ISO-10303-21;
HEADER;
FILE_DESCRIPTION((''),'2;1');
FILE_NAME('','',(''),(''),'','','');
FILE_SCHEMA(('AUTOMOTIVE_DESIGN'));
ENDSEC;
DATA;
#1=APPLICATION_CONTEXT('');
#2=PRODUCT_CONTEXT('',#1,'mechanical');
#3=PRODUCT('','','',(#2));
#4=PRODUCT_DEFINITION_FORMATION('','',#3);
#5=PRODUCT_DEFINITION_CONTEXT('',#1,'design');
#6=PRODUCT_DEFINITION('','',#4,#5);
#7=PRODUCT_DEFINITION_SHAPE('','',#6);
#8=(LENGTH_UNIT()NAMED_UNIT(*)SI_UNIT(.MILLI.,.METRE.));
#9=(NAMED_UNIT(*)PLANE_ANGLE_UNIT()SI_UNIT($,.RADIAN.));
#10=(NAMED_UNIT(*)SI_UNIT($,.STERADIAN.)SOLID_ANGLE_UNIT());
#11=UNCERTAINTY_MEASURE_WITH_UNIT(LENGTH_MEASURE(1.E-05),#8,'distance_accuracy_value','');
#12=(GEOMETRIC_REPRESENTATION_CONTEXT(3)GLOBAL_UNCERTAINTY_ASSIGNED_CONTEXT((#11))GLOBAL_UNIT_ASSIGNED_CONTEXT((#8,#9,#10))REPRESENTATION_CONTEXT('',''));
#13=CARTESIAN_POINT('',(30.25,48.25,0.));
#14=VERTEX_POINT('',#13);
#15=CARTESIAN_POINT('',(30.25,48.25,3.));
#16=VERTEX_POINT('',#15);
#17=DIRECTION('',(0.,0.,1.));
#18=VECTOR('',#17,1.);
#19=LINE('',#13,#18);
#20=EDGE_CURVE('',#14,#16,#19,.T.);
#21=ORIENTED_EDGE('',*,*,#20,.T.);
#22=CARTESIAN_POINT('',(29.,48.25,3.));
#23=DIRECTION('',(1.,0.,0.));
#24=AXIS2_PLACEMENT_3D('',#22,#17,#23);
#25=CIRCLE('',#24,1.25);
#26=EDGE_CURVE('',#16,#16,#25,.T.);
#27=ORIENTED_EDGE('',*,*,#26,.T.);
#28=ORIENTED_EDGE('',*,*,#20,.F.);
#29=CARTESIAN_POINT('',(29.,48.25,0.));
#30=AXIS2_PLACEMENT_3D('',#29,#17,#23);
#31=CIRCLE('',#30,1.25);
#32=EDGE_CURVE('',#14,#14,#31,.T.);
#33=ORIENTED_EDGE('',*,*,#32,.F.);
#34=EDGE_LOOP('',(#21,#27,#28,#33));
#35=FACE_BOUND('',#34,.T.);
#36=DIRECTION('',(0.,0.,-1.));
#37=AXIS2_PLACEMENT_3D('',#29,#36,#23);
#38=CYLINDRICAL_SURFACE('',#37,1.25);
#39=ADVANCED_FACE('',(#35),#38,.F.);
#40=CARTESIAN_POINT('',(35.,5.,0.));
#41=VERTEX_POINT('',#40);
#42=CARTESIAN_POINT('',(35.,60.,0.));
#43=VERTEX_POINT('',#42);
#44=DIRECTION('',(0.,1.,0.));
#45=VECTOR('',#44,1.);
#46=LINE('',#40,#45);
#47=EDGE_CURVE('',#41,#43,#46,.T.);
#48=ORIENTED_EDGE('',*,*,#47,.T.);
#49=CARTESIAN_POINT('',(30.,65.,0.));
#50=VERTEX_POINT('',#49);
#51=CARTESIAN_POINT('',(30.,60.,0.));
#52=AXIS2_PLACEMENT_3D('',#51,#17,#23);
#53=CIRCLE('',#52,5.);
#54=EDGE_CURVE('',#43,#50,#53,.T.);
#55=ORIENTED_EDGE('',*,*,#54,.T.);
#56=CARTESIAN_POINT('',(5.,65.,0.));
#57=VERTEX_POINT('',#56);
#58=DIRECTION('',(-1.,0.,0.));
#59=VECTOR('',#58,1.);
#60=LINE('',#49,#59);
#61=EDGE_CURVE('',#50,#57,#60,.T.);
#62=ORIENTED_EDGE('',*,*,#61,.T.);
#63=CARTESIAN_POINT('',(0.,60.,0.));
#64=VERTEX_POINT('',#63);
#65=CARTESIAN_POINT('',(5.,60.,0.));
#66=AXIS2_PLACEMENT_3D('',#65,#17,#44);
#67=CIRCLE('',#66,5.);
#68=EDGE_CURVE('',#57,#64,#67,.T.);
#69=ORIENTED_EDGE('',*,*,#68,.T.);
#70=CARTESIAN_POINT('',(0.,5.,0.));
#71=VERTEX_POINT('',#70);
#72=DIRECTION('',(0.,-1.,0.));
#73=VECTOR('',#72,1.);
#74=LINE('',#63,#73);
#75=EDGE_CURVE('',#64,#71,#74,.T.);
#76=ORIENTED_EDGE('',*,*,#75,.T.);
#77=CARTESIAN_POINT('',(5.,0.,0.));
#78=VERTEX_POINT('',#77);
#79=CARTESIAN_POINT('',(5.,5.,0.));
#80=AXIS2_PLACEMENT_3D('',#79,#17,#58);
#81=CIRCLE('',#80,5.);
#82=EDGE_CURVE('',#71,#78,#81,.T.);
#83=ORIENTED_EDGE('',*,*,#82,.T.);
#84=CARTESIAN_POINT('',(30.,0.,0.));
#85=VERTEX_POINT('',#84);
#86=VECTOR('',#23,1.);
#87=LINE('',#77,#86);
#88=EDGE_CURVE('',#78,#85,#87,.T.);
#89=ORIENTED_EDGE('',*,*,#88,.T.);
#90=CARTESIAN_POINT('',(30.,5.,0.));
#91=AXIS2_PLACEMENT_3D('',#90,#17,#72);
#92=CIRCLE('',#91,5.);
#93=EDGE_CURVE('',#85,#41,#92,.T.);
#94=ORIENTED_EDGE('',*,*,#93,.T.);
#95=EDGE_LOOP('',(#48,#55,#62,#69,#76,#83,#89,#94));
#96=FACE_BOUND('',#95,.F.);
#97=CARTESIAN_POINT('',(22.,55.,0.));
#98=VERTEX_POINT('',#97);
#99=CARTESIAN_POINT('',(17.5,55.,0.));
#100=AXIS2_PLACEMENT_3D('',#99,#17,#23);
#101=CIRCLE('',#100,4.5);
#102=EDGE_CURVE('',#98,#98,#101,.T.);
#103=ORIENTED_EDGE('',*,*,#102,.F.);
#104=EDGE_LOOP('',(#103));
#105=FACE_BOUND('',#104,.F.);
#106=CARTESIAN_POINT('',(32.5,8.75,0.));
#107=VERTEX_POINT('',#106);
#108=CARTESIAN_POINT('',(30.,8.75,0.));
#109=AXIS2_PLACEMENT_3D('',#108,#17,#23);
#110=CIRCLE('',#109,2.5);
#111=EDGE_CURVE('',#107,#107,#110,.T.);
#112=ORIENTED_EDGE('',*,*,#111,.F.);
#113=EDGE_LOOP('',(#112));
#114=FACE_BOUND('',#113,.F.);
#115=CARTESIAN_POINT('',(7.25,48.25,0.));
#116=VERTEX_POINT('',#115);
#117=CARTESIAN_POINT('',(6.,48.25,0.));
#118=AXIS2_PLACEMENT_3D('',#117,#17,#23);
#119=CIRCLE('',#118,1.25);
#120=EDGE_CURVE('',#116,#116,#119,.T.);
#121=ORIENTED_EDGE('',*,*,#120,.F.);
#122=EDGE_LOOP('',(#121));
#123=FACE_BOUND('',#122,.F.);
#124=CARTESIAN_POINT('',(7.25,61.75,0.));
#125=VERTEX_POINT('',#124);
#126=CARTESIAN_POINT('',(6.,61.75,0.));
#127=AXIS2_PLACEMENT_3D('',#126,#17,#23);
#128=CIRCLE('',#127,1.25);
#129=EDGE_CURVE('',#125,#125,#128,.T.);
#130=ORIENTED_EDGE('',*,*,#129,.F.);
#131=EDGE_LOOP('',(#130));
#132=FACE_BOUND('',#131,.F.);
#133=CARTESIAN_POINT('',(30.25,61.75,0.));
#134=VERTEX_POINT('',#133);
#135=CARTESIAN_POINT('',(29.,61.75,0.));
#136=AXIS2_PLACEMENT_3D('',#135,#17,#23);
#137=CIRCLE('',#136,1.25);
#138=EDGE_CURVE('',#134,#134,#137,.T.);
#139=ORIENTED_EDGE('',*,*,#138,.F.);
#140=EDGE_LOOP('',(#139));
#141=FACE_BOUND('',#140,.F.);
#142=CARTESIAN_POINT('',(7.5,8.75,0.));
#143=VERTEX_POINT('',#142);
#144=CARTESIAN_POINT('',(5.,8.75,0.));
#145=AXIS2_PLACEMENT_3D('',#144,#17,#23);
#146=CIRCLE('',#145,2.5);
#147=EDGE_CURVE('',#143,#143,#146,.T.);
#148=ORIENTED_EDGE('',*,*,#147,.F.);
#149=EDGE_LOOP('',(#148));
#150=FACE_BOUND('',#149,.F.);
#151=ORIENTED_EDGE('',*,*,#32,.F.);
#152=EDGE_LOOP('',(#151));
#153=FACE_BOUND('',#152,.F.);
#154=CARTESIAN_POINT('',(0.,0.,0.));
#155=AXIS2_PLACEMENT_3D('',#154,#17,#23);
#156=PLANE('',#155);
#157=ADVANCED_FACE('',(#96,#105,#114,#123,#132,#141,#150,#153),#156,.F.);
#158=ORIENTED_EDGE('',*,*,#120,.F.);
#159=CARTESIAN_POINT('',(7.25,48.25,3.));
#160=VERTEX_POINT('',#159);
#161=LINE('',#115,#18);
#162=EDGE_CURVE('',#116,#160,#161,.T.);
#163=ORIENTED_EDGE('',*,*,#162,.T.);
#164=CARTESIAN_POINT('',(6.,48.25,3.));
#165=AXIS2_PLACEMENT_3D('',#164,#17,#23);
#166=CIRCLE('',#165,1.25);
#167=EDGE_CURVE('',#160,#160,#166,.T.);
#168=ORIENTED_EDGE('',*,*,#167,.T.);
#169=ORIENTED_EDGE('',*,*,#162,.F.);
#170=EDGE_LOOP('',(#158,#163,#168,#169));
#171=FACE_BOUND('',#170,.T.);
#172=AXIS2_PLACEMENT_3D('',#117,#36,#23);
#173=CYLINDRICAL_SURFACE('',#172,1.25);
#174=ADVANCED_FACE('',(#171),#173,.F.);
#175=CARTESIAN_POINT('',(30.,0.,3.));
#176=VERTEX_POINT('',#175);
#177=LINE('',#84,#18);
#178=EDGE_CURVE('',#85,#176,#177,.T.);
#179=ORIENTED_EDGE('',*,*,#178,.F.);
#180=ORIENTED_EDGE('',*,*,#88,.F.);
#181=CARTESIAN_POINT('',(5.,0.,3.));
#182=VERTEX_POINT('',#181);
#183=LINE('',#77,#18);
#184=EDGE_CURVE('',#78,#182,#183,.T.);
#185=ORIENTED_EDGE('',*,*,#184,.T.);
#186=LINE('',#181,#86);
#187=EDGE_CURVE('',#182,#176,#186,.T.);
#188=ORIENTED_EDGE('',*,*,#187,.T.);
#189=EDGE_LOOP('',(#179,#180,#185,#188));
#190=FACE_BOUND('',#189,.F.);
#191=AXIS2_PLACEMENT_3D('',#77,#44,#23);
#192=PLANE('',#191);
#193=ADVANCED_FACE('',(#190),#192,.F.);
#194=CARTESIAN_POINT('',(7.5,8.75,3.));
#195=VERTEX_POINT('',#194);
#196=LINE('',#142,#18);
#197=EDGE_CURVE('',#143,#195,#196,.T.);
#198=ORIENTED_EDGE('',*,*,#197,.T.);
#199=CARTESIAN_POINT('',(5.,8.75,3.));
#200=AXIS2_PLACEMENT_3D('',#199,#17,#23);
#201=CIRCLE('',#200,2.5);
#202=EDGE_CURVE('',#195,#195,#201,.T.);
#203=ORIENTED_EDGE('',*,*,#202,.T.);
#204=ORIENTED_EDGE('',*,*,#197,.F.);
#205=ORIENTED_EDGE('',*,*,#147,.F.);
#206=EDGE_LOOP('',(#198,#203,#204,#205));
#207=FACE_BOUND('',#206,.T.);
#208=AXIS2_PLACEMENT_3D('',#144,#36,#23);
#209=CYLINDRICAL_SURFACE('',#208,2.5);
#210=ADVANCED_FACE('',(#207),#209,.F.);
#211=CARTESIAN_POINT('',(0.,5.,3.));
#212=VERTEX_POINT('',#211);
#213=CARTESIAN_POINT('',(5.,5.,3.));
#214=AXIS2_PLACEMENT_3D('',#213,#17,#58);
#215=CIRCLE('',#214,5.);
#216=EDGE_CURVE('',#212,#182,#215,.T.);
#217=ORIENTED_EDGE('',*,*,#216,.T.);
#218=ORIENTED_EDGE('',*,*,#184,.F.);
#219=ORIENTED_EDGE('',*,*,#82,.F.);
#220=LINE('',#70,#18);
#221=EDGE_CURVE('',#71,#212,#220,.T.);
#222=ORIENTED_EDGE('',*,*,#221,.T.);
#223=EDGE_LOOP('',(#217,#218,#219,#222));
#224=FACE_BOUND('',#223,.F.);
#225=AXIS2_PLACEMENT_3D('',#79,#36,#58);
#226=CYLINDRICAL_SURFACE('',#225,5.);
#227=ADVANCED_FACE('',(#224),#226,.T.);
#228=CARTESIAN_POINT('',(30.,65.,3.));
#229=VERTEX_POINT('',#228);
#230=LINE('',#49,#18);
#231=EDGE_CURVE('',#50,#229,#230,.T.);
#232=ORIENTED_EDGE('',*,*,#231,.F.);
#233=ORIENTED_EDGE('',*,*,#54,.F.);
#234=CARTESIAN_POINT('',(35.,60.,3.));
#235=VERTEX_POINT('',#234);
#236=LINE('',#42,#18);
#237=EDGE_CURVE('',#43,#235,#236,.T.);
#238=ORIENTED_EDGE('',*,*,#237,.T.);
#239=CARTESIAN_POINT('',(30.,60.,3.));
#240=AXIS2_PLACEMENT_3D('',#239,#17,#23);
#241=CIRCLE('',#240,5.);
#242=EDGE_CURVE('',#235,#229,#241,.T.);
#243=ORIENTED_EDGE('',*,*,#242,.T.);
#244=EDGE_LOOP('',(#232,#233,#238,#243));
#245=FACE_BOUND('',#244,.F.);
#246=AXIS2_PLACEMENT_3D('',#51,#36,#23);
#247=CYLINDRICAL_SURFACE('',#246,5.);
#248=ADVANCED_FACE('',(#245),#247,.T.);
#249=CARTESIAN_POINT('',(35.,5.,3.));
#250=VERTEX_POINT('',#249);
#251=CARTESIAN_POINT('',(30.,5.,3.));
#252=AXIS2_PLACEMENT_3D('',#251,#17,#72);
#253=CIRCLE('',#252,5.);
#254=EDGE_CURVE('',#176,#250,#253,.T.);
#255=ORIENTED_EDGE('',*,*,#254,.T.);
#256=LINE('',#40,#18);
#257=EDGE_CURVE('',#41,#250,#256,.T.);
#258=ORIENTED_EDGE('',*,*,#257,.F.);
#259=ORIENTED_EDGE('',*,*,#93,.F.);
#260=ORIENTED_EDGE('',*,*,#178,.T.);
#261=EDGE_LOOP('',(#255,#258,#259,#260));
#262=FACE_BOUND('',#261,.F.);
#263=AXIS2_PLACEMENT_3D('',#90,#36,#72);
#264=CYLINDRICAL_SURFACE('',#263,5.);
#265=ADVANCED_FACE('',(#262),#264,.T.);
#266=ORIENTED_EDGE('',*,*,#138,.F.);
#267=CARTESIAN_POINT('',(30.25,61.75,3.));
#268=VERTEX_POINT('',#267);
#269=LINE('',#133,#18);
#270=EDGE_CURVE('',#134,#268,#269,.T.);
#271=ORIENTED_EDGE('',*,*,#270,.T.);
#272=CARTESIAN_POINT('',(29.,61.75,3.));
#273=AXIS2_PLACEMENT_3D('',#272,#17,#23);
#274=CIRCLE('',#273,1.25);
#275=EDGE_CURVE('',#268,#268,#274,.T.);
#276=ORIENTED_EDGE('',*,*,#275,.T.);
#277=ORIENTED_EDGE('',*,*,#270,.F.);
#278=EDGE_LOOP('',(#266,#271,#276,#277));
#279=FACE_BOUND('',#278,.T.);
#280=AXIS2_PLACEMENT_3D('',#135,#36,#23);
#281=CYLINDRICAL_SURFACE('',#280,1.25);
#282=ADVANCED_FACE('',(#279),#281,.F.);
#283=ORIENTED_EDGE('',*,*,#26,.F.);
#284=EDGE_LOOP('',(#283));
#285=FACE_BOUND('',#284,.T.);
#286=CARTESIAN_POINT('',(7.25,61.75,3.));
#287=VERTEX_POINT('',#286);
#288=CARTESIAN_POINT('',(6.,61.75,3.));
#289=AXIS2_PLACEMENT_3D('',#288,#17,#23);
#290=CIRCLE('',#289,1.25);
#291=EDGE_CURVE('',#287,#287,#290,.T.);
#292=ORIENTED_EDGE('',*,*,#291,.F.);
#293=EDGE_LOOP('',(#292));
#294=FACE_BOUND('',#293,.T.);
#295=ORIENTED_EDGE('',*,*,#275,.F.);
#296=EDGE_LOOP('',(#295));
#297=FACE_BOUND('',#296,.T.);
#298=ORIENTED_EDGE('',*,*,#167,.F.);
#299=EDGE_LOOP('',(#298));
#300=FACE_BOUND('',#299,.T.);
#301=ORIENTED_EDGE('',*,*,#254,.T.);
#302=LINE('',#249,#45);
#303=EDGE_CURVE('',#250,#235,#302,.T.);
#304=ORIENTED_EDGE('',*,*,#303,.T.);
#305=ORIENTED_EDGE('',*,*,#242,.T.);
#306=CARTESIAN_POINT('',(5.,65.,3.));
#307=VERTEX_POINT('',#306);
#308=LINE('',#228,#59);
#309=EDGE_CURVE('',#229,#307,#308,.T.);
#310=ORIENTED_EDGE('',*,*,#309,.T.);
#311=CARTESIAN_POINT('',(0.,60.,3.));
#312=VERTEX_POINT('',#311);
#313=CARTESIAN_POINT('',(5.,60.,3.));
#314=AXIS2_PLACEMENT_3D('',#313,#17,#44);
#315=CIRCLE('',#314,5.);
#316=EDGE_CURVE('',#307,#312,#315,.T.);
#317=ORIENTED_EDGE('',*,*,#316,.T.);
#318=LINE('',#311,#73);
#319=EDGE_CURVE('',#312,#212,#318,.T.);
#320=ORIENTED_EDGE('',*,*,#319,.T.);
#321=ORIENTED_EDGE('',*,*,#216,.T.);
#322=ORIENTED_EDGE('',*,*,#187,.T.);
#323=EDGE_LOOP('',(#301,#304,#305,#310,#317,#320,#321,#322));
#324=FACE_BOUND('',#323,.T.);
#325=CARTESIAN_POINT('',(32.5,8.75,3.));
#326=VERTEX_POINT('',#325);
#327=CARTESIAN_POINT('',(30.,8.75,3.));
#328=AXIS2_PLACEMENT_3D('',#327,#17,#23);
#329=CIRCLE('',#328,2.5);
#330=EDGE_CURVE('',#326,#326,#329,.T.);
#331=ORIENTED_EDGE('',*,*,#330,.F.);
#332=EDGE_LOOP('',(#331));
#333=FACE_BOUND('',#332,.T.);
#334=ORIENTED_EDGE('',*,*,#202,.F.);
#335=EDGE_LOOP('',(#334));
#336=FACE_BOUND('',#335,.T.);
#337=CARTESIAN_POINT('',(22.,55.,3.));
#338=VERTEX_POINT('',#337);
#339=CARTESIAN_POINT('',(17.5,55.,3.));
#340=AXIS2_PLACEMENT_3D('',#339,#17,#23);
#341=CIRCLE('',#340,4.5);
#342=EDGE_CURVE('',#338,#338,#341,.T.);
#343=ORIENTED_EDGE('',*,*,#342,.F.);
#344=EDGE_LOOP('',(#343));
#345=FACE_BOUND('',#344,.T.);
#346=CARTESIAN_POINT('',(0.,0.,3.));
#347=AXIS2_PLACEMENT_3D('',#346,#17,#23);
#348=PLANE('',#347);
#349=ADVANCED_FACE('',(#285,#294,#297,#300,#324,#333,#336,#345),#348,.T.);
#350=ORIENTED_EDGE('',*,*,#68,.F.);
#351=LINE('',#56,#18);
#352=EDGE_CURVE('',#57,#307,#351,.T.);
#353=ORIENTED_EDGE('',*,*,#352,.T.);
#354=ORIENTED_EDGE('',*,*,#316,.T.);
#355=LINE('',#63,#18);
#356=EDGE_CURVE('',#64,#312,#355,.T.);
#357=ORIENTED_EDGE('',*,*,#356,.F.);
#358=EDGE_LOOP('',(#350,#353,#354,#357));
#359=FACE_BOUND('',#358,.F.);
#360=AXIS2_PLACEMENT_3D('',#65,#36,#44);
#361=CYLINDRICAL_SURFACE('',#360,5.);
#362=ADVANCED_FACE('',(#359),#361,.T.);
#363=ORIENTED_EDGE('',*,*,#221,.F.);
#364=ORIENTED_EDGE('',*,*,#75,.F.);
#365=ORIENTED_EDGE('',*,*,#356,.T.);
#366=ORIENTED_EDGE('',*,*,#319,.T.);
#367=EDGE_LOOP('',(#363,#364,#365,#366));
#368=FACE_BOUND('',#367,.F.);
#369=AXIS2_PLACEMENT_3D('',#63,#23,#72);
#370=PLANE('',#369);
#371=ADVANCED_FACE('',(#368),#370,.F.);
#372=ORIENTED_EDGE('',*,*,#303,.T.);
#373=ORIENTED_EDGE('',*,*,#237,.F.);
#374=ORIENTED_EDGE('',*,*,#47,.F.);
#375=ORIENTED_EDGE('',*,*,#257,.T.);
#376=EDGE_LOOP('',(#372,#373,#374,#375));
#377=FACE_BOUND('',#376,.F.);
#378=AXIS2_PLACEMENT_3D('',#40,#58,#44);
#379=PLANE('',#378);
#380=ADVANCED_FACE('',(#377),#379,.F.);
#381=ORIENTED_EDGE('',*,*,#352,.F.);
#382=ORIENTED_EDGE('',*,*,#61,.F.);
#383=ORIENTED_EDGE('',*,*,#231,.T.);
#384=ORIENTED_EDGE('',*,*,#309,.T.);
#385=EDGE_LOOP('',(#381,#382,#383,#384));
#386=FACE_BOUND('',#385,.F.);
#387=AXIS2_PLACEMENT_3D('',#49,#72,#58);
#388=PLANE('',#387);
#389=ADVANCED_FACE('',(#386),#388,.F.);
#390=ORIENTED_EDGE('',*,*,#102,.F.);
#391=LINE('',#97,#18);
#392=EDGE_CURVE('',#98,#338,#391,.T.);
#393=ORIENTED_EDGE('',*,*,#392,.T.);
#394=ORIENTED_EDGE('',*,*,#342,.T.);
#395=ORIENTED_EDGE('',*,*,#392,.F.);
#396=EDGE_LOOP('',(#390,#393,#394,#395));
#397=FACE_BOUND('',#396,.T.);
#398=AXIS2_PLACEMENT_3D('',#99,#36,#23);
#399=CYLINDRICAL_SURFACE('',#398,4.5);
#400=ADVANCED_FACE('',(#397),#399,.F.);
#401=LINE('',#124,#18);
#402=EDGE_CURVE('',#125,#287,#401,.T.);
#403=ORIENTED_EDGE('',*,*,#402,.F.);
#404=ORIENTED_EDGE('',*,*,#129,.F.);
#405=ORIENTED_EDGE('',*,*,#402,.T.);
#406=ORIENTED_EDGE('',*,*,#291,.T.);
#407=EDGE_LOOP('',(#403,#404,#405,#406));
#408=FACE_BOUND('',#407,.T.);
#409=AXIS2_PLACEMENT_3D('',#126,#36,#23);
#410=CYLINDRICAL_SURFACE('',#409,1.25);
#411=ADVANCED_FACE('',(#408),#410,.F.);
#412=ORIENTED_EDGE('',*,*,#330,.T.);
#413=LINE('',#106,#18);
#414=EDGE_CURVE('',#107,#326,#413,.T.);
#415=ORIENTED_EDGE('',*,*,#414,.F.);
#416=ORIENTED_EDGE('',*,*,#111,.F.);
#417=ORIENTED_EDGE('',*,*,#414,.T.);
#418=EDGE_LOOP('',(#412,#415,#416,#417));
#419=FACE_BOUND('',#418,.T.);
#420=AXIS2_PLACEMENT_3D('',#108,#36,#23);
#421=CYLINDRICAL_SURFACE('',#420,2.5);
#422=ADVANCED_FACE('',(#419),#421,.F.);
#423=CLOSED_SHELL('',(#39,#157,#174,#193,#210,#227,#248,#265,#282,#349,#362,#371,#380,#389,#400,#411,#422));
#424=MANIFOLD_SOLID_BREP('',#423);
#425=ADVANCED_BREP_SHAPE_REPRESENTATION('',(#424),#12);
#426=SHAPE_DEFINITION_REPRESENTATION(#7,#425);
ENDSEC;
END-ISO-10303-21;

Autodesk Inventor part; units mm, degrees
ref_plane "YZ Plane" through (0, 0, 0) normal (1, 0, 0) x (0, 1, 0)
ref_plane "XZ Plane" through (0, 0, 0) normal (0, 1, 0) x (-1, 0, 0)
ref_plane "XY Plane" through (0, 0, 0) normal (0, 0, 1) x (1, 0, 0)
sketch "Boceto1" plane through (0, 0, 0) normal (0, 0, 1) x (1, 0, 0)
  line L0 (5, 0) -> (30, 0)
  line L1 (35, 5) -> (35, 60)
  line L2 (30, 65) -> (5, 65)
  line L3 (0, 60) -> (0, 5)
  arc A0 (5, 65) -> (0, 60) centre (5, 60) ccw
  arc A1 (35, 60) -> (30, 65) centre (30, 60) ccw
  arc A2 (0, 5) -> (5, 0) centre (5, 5) ccw
  arc A3 (30, 0) -> (35, 5) centre (30, 5) ccw
  circle A4 centre (17.5, 55) radius 4.5
  circle A5 centre (29, 48.25) radius 1.25
  circle A6 centre (29, 61.75) radius 1.25
  circle A7 centre (6, 61.75) radius 1.25
  circle A8 centre (6, 48.25) radius 1.25
  circle A9 centre (5, 8.75) radius 2.5
  circle A10 centre (30, 8.75) radius 2.5
  point P0 (0, 0)
extrude "Extrusión1" add sketch "Boceto1" along normal blind 3
sketch "Boceto2" plane through (0, 0, 3) normal (0, 0, 1) x (1, 0, 0)
  circle A0 centre (17.5, 55) radius 4.5 projected
  circle A1 centre (29, 48.25) radius 1.25 projected
  line L0 (29, 48.25) -> (29, 55)
  circle A2 centre (29, 61.75) radius 1.25 projected
  line L1 (29, 55) -> (29, 61.75)
  circle A3 centre (6, 61.75) radius 1.25 projected
  line L2 (29, 61.75) -> (6, 61.75)
  line L3 (17.5, 55) -> (29, 55)
  point P0 (0, 0)
  dimension "d20" = 23
  dimension "d21" = 6.75
  dimension "d22" = 11.5
properties part number "5"
